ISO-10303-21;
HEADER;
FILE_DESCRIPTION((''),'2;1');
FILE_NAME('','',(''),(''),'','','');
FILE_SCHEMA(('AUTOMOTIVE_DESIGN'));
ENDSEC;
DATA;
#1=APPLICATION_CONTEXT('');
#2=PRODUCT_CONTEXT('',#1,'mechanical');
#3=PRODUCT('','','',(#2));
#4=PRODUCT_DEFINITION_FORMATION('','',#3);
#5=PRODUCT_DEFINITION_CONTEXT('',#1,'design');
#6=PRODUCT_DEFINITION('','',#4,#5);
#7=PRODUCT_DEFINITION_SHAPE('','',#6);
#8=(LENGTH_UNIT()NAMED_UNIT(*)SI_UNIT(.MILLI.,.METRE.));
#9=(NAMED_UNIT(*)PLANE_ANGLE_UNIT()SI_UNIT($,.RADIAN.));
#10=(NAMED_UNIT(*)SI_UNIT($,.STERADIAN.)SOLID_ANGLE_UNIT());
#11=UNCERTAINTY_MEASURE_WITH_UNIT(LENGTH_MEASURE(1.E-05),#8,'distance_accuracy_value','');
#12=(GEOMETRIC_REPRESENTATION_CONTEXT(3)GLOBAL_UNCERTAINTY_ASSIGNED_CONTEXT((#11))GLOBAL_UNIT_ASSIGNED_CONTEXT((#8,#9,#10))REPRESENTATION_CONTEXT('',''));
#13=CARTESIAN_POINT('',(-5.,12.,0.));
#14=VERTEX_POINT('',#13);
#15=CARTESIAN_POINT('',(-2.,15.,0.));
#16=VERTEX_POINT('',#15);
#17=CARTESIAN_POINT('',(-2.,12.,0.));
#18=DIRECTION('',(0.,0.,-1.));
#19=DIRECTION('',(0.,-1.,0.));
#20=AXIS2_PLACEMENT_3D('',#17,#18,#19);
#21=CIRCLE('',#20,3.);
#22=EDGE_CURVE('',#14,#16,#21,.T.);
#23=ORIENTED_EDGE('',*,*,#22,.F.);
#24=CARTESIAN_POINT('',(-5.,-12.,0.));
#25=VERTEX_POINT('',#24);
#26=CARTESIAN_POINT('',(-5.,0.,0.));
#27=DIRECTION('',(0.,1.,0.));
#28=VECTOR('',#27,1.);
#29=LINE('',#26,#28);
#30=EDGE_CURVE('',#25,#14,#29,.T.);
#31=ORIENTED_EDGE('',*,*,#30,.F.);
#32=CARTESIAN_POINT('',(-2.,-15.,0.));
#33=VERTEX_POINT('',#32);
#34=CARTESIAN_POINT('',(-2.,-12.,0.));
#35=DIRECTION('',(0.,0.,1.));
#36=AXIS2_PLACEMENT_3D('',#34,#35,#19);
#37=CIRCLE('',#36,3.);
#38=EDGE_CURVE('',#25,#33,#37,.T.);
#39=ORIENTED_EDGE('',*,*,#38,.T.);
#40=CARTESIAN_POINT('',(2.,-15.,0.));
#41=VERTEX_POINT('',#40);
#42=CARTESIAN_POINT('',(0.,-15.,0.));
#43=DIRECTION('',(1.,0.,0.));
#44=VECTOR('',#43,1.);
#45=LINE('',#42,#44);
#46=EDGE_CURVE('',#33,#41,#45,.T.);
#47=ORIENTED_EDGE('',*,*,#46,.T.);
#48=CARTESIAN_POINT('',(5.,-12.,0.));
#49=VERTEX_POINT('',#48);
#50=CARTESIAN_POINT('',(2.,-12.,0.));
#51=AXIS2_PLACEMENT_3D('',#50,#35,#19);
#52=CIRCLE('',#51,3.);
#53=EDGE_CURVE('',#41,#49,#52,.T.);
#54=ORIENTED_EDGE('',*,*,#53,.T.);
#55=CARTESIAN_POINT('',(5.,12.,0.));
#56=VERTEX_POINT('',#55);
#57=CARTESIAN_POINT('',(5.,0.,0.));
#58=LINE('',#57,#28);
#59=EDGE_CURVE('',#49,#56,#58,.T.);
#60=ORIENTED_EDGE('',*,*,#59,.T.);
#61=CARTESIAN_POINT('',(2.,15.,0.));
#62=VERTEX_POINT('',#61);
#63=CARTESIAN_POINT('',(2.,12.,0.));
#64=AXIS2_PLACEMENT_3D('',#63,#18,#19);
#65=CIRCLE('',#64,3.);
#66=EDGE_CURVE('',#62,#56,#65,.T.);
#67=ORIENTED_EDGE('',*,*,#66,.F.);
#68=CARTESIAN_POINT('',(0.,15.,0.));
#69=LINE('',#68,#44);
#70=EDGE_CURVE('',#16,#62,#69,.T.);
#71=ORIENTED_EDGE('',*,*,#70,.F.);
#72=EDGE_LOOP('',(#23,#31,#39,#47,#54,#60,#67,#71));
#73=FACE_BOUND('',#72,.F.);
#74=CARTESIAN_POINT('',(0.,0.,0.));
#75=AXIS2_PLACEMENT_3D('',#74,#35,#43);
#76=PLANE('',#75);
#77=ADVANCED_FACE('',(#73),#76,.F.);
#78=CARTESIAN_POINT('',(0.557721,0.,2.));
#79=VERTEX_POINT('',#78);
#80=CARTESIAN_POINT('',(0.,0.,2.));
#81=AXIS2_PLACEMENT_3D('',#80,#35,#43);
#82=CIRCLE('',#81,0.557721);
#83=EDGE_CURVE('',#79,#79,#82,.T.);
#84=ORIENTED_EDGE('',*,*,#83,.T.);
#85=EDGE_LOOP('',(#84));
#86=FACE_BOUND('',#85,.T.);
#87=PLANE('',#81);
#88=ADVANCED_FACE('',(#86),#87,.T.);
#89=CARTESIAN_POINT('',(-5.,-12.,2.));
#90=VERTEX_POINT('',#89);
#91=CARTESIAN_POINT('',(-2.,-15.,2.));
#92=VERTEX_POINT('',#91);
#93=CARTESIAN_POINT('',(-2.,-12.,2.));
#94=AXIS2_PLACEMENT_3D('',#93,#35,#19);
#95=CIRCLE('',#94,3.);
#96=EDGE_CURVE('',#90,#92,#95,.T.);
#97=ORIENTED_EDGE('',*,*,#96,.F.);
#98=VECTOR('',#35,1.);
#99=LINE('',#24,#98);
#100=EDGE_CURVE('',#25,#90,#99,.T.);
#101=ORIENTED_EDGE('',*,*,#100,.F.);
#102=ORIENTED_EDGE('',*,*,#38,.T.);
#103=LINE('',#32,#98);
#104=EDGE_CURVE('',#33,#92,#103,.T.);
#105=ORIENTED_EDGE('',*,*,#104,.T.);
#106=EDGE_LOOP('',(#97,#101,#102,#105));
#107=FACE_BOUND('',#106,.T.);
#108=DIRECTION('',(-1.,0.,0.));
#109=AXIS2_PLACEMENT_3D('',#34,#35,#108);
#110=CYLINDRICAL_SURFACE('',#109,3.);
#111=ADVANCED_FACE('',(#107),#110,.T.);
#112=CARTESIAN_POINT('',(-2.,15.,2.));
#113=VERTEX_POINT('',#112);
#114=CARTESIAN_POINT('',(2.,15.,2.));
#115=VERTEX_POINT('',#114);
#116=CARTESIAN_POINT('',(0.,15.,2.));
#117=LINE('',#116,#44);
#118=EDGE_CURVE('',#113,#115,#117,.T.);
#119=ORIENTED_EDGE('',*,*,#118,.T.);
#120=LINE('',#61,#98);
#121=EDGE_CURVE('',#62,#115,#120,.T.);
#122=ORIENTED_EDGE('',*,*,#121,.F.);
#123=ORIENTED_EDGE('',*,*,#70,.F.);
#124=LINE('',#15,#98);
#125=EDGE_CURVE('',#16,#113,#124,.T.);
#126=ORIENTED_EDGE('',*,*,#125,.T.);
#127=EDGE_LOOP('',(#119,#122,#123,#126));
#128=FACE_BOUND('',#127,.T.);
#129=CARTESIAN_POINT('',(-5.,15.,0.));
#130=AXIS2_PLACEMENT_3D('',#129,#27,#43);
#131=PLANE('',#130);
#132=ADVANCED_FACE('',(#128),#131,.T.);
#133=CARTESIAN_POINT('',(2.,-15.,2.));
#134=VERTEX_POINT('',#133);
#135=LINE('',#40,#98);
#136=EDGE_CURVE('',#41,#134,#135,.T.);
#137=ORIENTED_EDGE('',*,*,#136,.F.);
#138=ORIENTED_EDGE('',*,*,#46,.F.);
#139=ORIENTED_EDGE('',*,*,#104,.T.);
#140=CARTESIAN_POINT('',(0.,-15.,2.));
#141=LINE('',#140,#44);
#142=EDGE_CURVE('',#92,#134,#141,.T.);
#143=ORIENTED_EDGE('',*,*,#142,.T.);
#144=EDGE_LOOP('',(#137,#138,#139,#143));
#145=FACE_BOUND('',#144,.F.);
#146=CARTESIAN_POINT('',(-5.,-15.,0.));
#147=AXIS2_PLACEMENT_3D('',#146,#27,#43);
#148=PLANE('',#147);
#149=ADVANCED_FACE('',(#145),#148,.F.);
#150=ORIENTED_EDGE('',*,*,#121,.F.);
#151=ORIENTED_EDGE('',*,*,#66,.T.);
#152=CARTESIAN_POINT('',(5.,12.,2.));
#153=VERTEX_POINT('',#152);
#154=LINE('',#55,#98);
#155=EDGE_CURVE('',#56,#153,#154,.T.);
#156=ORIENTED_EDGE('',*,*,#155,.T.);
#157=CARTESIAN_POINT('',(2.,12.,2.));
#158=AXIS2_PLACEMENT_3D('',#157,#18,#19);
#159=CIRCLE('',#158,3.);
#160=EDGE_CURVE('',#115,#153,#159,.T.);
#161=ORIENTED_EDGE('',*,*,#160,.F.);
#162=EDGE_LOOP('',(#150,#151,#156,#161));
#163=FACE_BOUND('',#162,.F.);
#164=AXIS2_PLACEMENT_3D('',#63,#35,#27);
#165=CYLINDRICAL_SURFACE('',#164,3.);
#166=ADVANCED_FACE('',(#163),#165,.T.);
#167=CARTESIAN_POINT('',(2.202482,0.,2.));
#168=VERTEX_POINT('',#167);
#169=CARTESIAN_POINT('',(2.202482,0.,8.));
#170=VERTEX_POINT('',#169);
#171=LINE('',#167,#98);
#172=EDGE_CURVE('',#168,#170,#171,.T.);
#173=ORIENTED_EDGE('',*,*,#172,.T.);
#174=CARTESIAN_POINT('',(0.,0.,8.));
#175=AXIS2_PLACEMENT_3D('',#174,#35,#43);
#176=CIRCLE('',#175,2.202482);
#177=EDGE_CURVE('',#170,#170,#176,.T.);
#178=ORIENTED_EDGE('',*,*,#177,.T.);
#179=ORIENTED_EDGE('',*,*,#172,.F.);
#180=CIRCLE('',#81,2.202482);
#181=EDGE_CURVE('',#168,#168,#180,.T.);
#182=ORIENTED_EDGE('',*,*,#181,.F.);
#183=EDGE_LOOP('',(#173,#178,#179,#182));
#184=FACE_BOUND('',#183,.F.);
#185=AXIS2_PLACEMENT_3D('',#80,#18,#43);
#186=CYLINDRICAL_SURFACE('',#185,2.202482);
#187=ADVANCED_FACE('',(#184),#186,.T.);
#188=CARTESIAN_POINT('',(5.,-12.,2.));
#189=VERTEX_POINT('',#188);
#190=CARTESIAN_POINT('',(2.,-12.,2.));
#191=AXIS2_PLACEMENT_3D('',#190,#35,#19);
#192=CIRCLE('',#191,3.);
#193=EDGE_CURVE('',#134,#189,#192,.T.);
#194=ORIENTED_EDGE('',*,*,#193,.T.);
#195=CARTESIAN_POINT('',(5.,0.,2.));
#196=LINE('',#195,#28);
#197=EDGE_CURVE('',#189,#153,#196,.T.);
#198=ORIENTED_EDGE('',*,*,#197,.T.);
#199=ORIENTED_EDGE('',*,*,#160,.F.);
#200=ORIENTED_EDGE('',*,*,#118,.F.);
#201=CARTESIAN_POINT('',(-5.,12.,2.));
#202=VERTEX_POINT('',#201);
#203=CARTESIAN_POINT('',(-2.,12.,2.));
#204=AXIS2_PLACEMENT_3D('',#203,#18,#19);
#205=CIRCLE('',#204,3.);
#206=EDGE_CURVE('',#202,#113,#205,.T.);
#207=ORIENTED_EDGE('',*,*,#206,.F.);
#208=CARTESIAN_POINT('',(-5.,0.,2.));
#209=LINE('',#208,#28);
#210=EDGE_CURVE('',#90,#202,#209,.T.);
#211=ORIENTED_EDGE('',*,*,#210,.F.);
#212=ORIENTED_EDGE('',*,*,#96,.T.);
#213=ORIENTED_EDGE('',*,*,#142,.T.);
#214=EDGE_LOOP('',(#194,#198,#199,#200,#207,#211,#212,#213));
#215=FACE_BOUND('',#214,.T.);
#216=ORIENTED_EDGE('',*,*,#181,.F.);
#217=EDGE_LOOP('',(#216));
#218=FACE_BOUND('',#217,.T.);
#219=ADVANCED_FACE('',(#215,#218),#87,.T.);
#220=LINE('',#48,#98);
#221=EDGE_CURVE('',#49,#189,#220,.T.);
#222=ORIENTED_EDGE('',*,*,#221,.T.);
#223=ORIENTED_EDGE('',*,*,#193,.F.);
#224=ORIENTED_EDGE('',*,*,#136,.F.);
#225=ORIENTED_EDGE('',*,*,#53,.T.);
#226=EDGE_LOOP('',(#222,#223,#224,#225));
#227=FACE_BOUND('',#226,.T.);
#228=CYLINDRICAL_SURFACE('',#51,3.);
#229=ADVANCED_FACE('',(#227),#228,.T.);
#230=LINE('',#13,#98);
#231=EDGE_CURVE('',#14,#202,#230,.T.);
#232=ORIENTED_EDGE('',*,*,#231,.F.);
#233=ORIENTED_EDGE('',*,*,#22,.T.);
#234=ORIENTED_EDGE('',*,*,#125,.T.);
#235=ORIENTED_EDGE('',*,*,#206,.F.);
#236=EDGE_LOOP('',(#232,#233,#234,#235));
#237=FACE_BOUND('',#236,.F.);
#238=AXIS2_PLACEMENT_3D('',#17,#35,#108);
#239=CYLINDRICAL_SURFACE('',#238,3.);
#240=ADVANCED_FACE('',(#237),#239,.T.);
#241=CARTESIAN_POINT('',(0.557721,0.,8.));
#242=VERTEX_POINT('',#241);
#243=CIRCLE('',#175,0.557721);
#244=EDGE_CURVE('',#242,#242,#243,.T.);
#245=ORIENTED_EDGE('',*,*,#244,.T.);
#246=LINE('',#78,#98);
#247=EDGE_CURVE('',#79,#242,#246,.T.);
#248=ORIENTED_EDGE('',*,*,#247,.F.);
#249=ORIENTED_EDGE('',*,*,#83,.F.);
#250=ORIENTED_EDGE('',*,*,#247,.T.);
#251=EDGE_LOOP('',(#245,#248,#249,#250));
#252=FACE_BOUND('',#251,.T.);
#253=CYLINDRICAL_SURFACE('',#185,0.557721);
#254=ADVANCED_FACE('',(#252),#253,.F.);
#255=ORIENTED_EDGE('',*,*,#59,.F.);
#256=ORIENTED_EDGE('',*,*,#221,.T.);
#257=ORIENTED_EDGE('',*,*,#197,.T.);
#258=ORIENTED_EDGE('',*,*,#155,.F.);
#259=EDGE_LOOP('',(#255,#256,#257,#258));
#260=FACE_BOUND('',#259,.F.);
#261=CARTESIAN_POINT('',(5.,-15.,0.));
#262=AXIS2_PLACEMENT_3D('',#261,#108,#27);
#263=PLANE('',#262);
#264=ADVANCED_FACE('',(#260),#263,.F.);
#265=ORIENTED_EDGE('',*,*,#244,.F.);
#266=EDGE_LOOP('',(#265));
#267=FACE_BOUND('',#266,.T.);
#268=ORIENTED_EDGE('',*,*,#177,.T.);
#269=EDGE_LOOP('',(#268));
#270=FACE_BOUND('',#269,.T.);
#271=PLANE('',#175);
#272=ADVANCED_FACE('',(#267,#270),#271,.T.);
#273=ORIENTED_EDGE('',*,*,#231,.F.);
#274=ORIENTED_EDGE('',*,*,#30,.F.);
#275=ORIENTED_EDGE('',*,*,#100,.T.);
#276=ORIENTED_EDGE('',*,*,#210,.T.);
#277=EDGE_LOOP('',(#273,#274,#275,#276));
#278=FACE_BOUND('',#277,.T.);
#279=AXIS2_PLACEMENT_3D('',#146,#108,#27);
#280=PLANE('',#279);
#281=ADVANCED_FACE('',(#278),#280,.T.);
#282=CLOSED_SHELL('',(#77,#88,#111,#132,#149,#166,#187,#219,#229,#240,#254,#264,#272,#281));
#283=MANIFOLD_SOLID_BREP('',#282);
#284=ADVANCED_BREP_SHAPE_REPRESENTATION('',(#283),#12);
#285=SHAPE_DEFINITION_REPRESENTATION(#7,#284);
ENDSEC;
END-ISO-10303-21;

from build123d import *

# Parameters (mm, degrees)
F0_W     = 10
F0_H     = 30
F1_DEPTH = 2
F2_R     = 2.202482
F2_R_2   = 0.557721
F3_DEPTH = 6
F4_R     = 3


with BuildPart() as f1:
    # F0 (on Top) → F1 (new body)
    with BuildSketch(Plane.XY):
        Rectangle(F0_W, F0_H)
    extrude(amount=F1_DEPTH)

    # F2 (on face) → F3 (join)
    with BuildSketch(Plane.XY.offset(2)):
        Circle(F2_R)
        Circle(F2_R_2, mode=Mode.SUBTRACT)
    extrude(amount=F3_DEPTH)

    # F4
    f4_edges = [f1.edges().sort_by_distance(p)[0] for p in [
        (5, 15, 1),
        (5, -15, 1),
        (-5, -15, 1),
        (-5, 15, 1),
    ]]
    fillet(f4_edges, radius=F4_R)


solid = f1.part
